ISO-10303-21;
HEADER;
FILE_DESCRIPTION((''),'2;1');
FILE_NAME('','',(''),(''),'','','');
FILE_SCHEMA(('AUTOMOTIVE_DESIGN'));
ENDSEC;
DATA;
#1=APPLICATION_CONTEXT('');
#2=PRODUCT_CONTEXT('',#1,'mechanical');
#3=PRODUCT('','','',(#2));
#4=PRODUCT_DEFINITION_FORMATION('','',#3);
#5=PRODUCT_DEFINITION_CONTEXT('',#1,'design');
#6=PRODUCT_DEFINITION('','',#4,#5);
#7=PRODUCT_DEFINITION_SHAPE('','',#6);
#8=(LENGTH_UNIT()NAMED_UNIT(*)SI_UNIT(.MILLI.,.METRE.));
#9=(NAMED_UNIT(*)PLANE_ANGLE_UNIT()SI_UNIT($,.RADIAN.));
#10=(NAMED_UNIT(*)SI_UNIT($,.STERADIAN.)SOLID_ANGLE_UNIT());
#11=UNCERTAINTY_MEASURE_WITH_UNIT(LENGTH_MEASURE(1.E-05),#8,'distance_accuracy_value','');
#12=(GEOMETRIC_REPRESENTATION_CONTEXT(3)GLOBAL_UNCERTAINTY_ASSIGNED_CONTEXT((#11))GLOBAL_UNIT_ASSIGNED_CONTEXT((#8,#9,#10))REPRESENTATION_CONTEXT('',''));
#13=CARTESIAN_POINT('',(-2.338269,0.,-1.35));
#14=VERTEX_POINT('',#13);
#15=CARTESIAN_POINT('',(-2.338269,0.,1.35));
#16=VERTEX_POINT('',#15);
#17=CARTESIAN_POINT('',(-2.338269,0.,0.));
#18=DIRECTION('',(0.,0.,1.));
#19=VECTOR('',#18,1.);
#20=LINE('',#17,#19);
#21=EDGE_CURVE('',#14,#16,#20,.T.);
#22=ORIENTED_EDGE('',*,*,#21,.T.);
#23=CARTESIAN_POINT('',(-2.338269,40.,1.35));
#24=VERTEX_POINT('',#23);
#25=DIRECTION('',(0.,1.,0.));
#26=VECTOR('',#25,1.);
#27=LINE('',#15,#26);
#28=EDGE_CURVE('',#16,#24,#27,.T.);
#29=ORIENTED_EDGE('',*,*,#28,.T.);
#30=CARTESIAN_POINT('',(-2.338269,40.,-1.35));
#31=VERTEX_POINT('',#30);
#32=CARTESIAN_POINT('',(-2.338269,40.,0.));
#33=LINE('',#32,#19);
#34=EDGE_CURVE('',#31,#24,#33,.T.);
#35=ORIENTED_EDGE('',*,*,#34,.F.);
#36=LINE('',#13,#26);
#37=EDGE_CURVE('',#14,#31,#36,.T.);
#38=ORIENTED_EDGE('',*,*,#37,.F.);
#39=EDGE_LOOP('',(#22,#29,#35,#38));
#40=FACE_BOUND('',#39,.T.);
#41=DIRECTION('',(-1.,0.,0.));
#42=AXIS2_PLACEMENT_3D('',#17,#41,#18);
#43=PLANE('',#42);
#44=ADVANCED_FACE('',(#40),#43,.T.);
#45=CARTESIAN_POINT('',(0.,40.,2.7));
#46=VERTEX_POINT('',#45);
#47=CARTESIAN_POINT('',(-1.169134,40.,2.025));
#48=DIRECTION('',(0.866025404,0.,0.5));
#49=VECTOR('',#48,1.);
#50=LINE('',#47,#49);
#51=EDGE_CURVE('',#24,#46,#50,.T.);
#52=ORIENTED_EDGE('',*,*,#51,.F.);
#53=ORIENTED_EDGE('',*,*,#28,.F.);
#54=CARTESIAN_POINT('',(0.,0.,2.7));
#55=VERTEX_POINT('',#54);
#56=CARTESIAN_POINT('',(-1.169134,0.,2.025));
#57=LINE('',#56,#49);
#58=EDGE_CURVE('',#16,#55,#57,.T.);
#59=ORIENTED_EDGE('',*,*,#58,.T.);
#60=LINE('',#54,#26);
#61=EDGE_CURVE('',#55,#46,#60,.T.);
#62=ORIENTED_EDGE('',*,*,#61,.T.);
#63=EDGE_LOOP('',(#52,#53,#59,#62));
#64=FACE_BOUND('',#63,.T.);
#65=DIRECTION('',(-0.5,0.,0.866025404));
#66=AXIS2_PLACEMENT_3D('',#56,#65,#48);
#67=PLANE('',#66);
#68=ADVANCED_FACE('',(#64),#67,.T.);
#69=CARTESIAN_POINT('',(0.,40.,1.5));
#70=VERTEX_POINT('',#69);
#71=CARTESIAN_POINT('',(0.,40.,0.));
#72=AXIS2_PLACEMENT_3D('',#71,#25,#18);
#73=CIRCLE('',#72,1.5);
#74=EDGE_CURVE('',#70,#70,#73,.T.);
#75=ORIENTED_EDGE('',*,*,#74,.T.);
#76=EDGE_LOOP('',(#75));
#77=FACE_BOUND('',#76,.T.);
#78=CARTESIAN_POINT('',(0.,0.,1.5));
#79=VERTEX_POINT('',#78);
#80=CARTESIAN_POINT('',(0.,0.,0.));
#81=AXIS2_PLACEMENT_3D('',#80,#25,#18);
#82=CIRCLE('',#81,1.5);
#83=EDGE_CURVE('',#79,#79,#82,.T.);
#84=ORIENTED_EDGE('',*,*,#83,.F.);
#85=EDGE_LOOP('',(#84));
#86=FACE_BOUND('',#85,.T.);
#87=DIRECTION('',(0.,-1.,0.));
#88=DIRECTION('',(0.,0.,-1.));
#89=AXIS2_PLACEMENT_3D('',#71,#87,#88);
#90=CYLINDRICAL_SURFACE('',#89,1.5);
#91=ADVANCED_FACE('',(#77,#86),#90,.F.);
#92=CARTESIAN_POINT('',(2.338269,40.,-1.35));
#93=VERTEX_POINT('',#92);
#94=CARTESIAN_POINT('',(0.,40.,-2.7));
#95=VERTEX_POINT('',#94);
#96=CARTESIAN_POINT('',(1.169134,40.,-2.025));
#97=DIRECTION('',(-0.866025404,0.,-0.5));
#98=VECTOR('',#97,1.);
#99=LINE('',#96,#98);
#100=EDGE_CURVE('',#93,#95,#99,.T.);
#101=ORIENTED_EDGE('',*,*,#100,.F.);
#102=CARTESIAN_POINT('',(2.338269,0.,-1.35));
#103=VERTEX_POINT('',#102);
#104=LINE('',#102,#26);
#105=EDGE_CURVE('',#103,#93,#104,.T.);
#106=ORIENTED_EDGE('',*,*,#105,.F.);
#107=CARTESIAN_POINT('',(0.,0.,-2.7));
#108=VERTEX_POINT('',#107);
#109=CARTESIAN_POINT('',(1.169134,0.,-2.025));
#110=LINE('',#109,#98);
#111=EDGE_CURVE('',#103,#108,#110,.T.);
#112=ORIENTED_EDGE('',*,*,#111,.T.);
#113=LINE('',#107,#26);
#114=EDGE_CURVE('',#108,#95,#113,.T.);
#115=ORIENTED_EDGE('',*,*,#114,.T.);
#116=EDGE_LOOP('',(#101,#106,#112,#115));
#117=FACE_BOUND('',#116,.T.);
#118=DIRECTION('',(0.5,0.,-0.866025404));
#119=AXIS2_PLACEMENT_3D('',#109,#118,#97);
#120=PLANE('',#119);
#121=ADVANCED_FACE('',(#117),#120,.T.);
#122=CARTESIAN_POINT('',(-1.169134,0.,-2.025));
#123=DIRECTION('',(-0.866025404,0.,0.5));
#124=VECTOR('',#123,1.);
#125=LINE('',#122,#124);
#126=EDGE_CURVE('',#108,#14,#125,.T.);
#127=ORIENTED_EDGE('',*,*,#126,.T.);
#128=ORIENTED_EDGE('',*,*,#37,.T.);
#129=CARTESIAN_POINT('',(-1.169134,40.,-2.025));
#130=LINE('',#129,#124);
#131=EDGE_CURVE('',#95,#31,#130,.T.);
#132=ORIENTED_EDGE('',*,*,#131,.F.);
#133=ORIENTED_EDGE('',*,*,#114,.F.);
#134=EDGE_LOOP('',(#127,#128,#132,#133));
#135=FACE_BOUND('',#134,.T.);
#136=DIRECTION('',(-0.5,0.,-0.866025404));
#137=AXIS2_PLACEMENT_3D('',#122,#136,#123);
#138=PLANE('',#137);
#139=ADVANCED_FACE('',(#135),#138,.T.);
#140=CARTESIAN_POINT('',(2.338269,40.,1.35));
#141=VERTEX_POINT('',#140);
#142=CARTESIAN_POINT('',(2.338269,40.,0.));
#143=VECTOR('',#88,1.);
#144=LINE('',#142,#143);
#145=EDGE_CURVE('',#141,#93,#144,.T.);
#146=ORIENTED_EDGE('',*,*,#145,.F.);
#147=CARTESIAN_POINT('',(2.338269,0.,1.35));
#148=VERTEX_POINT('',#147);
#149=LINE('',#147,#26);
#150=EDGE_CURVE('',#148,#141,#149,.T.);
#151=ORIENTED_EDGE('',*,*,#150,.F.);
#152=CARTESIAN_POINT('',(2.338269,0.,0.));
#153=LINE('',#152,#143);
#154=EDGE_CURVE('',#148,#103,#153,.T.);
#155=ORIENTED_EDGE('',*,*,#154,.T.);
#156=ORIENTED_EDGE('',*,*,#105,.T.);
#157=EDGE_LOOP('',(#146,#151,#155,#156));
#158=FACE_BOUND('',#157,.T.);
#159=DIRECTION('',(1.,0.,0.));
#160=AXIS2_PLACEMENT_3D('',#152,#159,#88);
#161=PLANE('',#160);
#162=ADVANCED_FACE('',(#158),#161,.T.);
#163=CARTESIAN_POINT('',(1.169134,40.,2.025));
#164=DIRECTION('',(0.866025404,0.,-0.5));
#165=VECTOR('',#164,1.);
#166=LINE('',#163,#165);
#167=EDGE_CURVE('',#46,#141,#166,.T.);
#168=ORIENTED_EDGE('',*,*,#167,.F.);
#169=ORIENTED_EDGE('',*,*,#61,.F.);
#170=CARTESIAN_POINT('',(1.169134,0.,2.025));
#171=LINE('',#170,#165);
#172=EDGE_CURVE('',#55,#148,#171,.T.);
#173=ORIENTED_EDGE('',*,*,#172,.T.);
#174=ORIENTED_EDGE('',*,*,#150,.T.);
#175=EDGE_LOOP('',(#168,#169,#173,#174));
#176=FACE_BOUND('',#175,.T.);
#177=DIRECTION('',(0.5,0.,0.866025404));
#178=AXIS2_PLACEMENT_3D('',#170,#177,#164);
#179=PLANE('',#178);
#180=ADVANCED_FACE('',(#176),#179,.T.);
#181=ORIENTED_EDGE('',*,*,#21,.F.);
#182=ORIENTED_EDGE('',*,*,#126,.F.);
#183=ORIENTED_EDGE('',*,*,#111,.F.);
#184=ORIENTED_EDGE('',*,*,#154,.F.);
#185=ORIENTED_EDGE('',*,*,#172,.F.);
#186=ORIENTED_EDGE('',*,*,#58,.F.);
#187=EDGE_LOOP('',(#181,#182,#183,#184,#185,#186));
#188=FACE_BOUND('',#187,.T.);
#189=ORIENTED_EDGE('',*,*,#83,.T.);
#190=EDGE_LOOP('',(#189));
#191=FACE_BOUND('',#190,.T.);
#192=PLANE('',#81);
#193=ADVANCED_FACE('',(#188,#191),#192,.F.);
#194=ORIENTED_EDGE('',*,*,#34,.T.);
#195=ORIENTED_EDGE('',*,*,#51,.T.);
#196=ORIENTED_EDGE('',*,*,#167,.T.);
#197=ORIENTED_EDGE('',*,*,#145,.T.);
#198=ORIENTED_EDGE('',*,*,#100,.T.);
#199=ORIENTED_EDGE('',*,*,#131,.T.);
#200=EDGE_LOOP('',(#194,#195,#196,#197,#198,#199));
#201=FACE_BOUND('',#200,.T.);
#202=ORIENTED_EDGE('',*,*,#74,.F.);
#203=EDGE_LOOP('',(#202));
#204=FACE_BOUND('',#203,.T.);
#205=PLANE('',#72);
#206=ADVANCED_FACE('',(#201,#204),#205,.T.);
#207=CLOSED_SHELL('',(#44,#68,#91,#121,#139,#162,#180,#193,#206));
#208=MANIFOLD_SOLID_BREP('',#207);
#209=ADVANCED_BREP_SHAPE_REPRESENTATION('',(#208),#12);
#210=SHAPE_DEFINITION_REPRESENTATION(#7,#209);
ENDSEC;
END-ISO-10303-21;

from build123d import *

# Parameters (mm, degrees)
SKETCH_1_R          = 2.7
SKETCH_1_R_2        = 1.5
EXTRUDE_1_DEPTH     = 40
CUT_EXTRUDE_START   = -40
CUT_EXTRUDE_1_DEPTH = 40


with BuildPart() as part:
    # 草图1 → 凸台-拉伸1 (new body)
    with BuildSketch(Plane(origin=(0, 0, 0), x_dir=(1, 0, 0), z_dir=(0, 1, 0))):
        with Locations(Location((0, 0, 0), (0, 0, 270))):
            Circle(SKETCH_1_R)
        with Locations(Location((0, 0, 0), (0, 0, 270))):
            Circle(SKETCH_1_R_2, mode=Mode.SUBTRACT)
    extrude(amount=EXTRUDE_1_DEPTH)

    # 草图2 → 切除-拉伸1 (cut)
    with BuildSketch(Plane(origin=(0, 40, 0), x_dir=(1, 0, 0), z_dir=(0, 1, 0)).offset(CUT_EXTRUDE_START)):
        with BuildLine():
            Line((-2.33826859, 1.35), (0, 2.7))
            ThreePointArc((0, 2.7), (-1.35, 2.33826859), (-2.33826859, 1.35))
        make_face()
        with BuildLine():
            Line((-2.33826859, -1.35), (-2.33826859, 1.35))
            ThreePointArc((-2.33826859, 1.35), (-2.7, 0), (-2.33826859, -1.35))
        make_face()
        with BuildLine():
            Line((0, -2.7), (-2.33826859, -1.35))
            ThreePointArc((-2.33826859, -1.35), (-1.35, -2.33826859), (0, -2.7))
        make_face()
        with BuildLine():
            ThreePointArc((0, -2.7), (1.35, -2.33826859), (2.33826859, -1.35))
            Line((2.33826859, -1.35), (0, -2.7))
        make_face()
        with BuildLine():
            ThreePointArc((2.7, 0), (2.607999731, 0.698811422), (2.33826859, 1.35))
            Line((2.33826859, 1.35), (2.33826859, -1.35))
            ThreePointArc((2.33826859, -1.35), (2.607999731, -0.698811422), (2.7, 0))
        make_face()
        with BuildLine():
            ThreePointArc((2.33826859, 1.35), (1.35, 2.33826859), (0, 2.7))
            Line((0, 2.7), (2.33826859, 1.35))
        make_face()
    extrude(amount=CUT_EXTRUDE_1_DEPTH, mode=Mode.SUBTRACT)


solid = part.part
